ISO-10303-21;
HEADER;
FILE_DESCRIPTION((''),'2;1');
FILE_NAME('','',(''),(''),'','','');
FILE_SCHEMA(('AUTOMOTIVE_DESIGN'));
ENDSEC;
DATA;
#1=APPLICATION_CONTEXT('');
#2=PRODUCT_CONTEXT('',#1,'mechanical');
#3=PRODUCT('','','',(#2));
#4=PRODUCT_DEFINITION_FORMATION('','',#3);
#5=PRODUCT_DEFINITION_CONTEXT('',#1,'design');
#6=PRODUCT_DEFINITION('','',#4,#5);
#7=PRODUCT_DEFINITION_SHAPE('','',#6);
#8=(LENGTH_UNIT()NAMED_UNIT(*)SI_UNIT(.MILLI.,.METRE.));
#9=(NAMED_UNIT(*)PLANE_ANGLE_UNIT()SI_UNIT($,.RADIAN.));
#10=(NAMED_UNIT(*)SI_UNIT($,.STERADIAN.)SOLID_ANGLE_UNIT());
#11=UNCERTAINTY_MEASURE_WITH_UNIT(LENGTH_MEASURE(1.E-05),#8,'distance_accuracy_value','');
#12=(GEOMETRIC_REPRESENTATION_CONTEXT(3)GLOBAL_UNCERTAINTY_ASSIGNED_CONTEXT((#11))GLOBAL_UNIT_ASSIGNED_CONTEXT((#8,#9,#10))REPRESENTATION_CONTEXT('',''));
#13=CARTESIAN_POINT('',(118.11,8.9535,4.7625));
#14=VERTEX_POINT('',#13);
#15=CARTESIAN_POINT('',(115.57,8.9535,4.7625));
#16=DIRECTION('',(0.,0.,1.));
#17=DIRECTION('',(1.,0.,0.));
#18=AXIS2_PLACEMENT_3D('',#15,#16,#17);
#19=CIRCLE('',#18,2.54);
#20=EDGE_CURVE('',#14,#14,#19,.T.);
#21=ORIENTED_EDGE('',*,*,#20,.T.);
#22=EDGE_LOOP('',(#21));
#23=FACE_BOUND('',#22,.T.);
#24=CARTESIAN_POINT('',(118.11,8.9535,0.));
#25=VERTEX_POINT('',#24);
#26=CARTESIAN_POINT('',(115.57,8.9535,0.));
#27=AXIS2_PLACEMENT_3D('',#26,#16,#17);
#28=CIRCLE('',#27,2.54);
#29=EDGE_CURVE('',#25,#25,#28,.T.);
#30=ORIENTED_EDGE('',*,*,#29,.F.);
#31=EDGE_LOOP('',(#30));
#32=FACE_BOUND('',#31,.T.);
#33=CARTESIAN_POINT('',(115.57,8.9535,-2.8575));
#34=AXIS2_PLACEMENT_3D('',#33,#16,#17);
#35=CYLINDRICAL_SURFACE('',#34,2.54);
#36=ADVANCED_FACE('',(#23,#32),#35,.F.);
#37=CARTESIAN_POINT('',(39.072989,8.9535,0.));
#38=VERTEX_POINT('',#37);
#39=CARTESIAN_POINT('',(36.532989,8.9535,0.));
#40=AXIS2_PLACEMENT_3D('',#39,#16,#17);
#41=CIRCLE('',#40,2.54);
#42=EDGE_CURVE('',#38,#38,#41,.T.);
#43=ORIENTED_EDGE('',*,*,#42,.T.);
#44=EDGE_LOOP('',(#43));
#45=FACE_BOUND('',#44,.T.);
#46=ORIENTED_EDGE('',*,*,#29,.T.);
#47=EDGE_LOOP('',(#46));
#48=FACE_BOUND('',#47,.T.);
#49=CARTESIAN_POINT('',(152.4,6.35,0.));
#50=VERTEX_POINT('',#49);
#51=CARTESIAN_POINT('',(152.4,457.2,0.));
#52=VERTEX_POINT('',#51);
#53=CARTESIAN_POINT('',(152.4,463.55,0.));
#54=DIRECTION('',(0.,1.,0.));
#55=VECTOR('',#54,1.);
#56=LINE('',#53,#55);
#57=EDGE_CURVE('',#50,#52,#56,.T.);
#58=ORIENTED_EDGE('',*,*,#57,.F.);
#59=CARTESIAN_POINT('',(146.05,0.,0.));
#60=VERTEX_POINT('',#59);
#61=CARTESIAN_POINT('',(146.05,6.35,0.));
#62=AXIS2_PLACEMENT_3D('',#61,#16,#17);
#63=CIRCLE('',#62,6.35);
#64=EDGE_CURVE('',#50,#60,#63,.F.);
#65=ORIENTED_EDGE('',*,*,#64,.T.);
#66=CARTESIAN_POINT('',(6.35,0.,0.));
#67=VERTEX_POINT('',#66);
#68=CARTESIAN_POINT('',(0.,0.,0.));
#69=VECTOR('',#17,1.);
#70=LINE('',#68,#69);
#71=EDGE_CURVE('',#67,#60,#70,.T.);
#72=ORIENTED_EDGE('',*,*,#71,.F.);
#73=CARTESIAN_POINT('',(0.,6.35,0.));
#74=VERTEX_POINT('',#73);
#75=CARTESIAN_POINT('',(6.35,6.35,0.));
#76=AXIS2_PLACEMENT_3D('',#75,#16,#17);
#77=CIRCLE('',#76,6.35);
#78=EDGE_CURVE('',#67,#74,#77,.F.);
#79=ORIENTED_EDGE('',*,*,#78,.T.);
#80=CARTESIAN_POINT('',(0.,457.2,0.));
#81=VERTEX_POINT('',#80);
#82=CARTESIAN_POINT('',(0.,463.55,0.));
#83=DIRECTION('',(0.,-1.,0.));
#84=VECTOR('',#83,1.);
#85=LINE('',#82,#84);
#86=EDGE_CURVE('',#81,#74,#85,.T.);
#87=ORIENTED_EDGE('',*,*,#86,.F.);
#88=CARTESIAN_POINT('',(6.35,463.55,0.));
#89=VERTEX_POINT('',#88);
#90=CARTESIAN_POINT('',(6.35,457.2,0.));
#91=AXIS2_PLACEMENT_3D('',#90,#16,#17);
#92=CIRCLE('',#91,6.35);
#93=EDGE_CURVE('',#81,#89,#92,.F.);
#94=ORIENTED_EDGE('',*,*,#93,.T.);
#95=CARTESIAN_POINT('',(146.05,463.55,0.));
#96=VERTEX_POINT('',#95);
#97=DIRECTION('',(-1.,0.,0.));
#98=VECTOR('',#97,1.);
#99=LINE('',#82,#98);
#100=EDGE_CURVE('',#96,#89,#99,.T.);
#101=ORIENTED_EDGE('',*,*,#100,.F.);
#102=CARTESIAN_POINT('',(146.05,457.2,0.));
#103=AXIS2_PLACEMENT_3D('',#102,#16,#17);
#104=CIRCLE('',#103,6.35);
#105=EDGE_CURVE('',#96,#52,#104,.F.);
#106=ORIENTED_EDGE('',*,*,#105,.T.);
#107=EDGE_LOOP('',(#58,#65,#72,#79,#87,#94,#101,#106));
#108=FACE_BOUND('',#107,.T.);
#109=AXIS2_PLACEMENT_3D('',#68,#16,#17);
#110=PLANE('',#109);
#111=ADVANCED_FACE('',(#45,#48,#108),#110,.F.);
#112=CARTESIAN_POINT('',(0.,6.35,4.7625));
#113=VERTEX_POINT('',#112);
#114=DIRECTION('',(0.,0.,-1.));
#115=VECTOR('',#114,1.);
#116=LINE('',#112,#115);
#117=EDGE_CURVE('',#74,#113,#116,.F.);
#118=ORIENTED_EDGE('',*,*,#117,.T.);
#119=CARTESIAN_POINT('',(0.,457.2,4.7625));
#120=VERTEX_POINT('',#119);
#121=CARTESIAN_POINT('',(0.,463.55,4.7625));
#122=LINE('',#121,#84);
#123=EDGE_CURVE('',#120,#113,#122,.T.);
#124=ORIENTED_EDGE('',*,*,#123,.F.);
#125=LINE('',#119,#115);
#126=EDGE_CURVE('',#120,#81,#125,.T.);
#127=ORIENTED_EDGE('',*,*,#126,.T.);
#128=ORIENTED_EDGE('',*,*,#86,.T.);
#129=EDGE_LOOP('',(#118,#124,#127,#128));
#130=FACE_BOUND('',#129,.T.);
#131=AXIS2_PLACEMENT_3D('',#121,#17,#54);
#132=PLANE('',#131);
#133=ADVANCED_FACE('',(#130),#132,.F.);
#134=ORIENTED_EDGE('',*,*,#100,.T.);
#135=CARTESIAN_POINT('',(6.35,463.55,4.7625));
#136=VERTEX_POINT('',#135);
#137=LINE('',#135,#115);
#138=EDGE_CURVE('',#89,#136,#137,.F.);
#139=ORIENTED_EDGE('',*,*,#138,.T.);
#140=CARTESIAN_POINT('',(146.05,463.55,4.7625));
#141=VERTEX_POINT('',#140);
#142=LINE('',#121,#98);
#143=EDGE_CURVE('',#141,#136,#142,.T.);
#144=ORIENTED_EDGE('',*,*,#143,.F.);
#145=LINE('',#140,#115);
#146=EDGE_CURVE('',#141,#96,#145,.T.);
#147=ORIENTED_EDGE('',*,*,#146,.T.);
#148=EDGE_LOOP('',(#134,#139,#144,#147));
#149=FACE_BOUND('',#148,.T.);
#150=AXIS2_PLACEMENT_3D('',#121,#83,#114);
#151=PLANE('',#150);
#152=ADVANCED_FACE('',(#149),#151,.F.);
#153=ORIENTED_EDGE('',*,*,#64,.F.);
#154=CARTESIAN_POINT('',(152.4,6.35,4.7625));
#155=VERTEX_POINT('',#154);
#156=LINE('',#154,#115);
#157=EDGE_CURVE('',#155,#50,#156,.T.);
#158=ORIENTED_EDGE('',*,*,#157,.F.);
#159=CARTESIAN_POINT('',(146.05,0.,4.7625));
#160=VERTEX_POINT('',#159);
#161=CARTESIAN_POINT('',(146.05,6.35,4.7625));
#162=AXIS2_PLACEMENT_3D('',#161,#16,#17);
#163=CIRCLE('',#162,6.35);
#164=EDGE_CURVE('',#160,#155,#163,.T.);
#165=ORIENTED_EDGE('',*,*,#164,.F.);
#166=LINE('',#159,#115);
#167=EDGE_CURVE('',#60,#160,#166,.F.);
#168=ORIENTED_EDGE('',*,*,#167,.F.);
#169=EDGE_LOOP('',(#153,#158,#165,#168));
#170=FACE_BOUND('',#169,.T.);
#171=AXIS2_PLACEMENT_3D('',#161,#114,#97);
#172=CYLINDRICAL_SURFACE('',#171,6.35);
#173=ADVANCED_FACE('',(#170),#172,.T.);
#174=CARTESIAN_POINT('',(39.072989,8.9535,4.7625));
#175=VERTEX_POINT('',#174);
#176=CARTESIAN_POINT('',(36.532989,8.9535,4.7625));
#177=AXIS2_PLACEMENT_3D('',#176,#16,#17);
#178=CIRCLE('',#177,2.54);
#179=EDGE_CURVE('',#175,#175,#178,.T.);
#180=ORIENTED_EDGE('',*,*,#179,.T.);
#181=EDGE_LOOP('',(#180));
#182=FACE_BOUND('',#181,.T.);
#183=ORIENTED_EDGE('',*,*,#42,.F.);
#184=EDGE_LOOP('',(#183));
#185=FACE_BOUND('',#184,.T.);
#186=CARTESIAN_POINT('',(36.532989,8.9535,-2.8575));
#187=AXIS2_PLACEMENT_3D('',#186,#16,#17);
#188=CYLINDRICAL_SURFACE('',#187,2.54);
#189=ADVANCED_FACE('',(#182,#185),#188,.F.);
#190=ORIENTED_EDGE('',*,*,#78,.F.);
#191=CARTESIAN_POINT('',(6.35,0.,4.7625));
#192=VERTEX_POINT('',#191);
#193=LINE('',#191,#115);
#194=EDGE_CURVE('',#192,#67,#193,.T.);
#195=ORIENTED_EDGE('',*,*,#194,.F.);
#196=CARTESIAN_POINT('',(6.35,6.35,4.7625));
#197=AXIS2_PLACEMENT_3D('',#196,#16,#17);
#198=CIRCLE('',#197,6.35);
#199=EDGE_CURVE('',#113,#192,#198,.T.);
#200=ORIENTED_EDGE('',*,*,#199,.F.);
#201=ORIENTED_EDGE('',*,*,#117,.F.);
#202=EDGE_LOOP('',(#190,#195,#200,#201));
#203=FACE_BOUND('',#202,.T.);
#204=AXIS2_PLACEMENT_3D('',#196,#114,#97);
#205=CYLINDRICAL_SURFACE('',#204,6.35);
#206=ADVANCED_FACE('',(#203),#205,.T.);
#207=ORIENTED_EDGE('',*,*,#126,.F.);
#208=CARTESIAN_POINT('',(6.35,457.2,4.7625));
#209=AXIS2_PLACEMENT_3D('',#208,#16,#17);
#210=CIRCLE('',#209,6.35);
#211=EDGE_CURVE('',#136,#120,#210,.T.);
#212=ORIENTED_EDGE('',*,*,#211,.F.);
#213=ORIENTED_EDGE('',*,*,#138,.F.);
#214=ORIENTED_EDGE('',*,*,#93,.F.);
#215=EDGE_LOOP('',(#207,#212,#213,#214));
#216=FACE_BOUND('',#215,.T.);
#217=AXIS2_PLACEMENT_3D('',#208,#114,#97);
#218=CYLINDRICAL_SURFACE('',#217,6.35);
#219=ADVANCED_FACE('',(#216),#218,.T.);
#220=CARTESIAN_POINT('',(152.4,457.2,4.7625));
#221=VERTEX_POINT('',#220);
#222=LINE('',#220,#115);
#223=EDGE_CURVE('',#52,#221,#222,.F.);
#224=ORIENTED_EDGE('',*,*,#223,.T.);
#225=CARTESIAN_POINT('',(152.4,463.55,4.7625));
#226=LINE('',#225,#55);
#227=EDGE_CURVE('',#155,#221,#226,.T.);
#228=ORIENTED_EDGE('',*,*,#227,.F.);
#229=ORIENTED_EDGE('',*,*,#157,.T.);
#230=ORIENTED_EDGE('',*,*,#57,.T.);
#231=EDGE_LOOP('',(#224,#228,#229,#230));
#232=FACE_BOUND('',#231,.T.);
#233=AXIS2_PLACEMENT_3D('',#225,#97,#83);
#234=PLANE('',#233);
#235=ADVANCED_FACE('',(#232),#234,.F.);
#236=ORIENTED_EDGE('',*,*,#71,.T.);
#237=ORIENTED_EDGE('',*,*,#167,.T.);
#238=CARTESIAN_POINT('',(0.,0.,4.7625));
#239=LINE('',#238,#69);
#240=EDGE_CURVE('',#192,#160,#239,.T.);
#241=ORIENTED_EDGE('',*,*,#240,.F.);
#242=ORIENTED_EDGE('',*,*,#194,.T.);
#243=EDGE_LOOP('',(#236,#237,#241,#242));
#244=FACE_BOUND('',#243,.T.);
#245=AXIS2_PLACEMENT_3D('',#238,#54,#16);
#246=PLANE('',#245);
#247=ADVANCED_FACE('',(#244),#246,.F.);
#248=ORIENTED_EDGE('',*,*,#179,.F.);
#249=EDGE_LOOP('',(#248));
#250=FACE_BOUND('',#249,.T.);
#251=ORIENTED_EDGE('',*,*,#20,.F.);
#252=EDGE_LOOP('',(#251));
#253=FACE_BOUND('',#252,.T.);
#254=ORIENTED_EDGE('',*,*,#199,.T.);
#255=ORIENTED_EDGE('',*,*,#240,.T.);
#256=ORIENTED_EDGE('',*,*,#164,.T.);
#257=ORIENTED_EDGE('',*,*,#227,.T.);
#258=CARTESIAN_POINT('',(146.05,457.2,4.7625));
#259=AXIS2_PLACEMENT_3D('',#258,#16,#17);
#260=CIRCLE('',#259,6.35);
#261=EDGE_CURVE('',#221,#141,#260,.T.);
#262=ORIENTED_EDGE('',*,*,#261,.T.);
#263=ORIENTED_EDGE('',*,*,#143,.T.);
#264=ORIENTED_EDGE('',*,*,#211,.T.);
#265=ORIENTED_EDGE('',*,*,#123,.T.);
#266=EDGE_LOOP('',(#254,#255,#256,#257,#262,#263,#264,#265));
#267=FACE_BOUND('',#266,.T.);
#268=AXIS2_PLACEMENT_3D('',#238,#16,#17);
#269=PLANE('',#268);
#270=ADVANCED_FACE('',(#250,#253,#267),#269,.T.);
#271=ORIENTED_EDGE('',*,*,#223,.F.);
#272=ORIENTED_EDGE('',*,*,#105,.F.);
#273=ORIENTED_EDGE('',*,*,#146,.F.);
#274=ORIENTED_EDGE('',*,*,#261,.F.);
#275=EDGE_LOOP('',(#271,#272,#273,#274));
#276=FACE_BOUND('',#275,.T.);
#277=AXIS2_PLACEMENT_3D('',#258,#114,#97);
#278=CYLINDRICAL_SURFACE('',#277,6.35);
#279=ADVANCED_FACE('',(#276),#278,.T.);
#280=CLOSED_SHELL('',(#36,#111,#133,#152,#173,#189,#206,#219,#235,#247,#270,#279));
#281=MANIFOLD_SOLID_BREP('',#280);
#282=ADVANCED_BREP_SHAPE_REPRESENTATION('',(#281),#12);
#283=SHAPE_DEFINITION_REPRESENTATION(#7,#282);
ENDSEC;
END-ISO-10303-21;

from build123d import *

# Parameters (mm, degrees)
SKETCH1_W           = 152.4
SKETCH1_H           = 463.55
BOSS_EXTRUDE1_DEPTH = 4.7625
FILLET1_R           = 6.35
SKETCH2_R           = 2.54
CUT_EXTRUDE1_DEPTH  = 7.62


with BuildPart() as part:
    # Sketch1 → Boss-Extrude1 (new body)
    with BuildSketch(Plane.XY):
        with Locations((76.2, 231.775)):
            Rectangle(SKETCH1_W, SKETCH1_H)
    extrude(amount=BOSS_EXTRUDE1_DEPTH)

    # Fillet1
    fillet1_edges = [part.edges().sort_by_distance(p)[0] for p in [
        (0, 463.55, 2.38125),
        (152.4, 463.55, 2.38125),
        (152.4, 0, 2.38125),
        (0, 0, 2.38125),
    ]]
    fillet(fillet1_edges, radius=FILLET1_R)

    # Sketch2 → Cut-Extrude1 (cut)
    with BuildSketch(Plane.XY.offset(4.7625)):
        with Locations((115.57, 8.9535)):
            Circle(SKETCH2_R)
        with Locations((36.532989097, 8.9535)):
            Circle(SKETCH2_R)
    extrude(amount=-CUT_EXTRUDE1_DEPTH, mode=Mode.SUBTRACT)


solid = part.part
